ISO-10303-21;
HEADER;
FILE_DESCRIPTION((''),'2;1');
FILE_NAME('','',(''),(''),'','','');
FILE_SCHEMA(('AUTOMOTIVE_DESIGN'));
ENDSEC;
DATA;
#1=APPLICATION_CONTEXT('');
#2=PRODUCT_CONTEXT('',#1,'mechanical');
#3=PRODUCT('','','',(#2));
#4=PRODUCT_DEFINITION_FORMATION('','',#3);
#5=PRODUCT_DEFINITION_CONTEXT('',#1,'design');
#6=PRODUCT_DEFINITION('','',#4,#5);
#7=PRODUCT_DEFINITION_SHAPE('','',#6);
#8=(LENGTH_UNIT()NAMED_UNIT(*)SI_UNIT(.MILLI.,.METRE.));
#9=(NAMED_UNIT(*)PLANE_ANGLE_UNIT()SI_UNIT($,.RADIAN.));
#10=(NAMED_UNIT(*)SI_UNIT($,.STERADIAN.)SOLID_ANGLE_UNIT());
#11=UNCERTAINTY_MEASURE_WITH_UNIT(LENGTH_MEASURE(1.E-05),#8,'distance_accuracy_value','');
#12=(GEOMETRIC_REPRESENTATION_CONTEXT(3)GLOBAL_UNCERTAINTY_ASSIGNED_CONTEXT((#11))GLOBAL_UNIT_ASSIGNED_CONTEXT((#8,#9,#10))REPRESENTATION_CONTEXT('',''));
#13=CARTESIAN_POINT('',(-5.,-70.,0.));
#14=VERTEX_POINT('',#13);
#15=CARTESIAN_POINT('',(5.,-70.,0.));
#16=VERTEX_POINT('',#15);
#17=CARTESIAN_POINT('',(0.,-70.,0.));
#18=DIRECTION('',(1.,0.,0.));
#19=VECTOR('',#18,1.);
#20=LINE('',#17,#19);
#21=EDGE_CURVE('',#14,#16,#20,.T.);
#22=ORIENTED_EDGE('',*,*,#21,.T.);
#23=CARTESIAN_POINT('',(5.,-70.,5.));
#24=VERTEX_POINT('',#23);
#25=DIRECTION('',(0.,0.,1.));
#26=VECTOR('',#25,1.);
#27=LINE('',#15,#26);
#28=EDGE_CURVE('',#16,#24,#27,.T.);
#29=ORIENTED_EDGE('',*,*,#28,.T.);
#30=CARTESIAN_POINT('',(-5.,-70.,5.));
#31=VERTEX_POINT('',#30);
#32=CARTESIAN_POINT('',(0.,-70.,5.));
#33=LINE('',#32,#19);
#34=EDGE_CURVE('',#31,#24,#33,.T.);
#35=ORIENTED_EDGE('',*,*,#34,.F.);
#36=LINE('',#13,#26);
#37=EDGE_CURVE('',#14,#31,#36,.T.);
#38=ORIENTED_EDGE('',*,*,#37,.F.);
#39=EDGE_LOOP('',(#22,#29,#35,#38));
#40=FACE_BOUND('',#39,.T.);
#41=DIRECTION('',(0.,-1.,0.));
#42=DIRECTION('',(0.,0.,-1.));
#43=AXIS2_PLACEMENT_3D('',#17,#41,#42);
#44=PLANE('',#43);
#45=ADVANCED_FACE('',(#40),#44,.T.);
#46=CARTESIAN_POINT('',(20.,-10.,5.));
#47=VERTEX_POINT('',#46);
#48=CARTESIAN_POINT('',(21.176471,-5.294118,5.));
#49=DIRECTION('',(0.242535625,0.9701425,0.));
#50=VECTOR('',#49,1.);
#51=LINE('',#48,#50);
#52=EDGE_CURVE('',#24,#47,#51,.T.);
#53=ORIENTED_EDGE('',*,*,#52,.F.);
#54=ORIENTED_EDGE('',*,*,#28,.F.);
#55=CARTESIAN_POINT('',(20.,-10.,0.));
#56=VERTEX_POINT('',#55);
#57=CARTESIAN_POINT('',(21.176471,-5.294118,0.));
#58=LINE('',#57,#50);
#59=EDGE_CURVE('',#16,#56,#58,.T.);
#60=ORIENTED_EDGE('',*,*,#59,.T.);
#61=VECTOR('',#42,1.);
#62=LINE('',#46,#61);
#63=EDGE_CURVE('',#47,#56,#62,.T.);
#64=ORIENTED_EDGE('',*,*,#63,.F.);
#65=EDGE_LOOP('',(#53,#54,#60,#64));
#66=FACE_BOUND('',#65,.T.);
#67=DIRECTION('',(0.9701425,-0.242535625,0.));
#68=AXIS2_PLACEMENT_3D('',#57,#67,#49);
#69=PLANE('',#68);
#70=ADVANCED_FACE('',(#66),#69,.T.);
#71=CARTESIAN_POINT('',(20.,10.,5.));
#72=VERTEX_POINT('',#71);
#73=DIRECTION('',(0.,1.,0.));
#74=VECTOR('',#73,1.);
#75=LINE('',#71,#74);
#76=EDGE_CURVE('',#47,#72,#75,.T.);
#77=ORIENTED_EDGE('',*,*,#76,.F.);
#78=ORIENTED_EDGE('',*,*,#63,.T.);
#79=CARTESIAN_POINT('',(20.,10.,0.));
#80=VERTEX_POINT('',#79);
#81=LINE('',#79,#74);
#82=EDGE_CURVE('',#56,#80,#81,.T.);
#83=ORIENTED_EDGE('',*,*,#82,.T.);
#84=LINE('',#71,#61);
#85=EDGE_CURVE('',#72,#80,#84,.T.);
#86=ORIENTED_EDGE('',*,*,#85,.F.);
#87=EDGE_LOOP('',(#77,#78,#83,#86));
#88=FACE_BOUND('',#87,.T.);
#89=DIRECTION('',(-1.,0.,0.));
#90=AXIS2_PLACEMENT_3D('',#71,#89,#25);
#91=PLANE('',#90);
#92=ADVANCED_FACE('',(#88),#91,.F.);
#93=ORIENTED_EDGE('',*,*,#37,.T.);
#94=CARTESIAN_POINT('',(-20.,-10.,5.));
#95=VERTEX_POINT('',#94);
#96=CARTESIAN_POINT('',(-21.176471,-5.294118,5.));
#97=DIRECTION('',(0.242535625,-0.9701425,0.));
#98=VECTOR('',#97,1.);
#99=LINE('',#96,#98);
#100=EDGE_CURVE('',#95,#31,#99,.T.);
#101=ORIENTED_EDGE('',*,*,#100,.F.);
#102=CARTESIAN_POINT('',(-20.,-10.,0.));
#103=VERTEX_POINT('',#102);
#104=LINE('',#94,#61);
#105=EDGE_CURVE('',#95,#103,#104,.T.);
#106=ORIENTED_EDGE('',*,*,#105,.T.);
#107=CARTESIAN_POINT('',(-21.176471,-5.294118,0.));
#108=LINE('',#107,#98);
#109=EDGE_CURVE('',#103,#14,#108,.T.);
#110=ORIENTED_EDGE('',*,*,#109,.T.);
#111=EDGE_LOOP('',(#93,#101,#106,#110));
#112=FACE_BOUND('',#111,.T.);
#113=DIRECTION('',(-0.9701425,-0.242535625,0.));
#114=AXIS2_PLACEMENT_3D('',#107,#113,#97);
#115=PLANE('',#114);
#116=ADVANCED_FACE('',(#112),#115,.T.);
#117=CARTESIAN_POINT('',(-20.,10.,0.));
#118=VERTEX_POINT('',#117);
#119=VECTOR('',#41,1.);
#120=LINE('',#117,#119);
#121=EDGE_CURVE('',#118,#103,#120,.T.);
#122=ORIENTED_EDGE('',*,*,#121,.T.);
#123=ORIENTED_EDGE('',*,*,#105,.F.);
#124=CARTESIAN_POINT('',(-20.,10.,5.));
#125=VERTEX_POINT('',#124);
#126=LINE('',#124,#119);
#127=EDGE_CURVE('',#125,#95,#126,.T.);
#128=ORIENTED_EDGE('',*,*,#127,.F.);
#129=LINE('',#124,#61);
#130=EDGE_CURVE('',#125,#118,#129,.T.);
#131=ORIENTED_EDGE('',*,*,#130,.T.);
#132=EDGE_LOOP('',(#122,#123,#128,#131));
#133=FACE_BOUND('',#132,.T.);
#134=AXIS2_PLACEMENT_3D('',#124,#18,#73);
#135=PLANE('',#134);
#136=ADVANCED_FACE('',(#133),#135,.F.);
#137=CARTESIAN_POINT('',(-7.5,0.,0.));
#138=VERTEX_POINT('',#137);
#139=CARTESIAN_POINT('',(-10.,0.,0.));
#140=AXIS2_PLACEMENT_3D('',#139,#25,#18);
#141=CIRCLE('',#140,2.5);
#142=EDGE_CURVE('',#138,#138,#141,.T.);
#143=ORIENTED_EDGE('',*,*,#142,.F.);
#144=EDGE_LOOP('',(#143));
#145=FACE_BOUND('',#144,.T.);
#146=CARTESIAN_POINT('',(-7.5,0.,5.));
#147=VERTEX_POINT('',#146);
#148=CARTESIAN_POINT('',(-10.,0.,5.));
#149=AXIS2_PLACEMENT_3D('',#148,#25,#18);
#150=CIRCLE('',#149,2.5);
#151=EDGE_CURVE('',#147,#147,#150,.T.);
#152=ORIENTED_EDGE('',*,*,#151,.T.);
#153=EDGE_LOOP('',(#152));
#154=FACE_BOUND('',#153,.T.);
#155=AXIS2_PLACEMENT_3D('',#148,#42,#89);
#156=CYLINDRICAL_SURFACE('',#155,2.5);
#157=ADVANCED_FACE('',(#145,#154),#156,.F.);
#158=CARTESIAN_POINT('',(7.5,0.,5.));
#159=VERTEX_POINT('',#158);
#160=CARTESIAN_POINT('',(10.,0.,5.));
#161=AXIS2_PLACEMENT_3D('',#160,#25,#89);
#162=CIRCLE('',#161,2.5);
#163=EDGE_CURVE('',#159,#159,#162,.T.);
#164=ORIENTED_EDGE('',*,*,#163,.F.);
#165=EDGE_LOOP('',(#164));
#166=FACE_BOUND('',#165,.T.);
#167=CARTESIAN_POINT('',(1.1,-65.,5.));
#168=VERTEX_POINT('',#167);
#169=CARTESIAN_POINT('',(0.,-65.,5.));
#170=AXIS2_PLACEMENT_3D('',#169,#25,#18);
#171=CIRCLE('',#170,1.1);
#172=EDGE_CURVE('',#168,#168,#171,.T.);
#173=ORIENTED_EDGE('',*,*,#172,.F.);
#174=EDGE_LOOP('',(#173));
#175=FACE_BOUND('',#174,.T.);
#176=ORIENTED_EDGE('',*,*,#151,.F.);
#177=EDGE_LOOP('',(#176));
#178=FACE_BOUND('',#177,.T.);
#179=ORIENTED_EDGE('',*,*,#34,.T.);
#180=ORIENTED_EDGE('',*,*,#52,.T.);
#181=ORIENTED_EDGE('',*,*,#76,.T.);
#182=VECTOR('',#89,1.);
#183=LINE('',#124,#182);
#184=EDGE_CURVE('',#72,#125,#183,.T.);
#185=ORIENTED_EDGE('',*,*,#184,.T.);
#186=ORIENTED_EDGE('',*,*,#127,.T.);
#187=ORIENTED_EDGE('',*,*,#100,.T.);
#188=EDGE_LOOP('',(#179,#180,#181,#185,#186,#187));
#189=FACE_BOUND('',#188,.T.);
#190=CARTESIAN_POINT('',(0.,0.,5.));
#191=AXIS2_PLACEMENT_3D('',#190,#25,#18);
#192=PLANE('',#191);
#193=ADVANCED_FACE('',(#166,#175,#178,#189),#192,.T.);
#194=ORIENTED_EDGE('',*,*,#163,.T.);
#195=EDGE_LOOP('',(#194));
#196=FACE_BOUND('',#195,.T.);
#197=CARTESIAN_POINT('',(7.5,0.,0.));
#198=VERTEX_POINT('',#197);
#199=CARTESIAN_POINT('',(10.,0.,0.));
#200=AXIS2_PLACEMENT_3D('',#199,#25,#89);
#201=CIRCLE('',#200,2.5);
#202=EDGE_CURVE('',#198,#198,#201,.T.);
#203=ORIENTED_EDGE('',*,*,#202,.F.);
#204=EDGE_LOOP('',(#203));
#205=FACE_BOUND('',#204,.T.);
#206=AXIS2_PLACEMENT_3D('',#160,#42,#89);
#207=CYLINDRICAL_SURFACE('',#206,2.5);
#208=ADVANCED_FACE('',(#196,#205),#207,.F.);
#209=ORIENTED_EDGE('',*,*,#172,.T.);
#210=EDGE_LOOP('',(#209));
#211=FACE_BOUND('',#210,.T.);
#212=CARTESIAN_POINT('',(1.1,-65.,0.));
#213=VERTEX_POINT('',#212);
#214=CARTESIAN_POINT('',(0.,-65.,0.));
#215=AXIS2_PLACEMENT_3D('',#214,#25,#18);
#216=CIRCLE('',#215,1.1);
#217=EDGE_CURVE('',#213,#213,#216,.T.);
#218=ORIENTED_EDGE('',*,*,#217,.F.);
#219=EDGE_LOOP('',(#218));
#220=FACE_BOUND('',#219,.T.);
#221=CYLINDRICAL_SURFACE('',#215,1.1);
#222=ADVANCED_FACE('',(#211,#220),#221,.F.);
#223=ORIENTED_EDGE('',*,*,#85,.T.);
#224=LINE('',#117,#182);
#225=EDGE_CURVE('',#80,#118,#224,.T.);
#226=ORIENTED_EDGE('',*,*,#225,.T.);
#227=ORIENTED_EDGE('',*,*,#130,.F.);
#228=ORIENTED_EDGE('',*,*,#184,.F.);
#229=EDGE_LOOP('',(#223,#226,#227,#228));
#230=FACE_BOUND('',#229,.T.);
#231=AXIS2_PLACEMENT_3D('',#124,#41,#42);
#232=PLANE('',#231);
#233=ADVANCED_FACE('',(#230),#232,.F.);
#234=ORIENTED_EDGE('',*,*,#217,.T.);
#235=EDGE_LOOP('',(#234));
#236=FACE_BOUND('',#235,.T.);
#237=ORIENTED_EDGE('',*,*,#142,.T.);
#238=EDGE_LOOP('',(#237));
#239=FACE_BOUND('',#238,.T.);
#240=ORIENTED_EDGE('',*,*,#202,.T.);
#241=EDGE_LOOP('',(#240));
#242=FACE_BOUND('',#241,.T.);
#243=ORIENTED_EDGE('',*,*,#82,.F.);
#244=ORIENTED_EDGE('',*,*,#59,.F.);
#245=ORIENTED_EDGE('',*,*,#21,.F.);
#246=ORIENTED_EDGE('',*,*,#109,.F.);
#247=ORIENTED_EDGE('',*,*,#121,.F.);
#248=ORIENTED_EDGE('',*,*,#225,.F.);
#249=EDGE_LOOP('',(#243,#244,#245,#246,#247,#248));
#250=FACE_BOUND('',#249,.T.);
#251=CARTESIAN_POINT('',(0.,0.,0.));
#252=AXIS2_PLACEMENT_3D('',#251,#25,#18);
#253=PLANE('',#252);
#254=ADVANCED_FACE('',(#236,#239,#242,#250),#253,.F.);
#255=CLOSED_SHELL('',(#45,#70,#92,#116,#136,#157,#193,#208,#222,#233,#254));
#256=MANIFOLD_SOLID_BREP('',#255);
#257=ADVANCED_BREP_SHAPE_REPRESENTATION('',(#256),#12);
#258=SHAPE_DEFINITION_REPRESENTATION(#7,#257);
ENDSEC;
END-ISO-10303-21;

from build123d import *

# Parameters (mm, degrees)
CROQUIS1_W              = 40
CROQUIS1_H              = 20
CROQUIS1_R              = 2.5
SALIENTE_EXTRUIR1_DEPTH = 5
CROQUIS2_W              = 10
CROQUIS2_H              = 10
CROQUIS2_R              = 1.1
SALIENTE_EXTRUIR2_DEPTH = 5


with BuildPart() as part:
    # Croquis1 → Saliente-Extruir1 (new body)
    with BuildSketch(Plane.XY):
        Rectangle(CROQUIS1_W, CROQUIS1_H)
        with Locations((-10, 0)):
            Circle(CROQUIS1_R, mode=Mode.SUBTRACT)
        with Locations(Location((10, 0, 0), (0, 0, 180))):
            Circle(CROQUIS1_R, mode=Mode.SUBTRACT)
    extrude(amount=SALIENTE_EXTRUIR1_DEPTH)

    # Croquis2 → Saliente-Extruir2 (add)
    # profile 1 of 2: a face of its own
    with BuildSketch(Plane.XY.offset(5)):
        Polygon((5, -60), (5, -70), (20, -10), (-20, -10), (-5, -70), (-5, -60), align=None)
    # profile 2 of 2: a face of its own
    with BuildSketch(Plane.XY.offset(5)):
        with Locations((0, -65)):
            Rectangle(CROQUIS2_W, CROQUIS2_H)
        with Locations((0, -65)):
            Circle(CROQUIS2_R, mode=Mode.SUBTRACT)
    extrude(amount=-SALIENTE_EXTRUIR2_DEPTH)


solid = part.part
